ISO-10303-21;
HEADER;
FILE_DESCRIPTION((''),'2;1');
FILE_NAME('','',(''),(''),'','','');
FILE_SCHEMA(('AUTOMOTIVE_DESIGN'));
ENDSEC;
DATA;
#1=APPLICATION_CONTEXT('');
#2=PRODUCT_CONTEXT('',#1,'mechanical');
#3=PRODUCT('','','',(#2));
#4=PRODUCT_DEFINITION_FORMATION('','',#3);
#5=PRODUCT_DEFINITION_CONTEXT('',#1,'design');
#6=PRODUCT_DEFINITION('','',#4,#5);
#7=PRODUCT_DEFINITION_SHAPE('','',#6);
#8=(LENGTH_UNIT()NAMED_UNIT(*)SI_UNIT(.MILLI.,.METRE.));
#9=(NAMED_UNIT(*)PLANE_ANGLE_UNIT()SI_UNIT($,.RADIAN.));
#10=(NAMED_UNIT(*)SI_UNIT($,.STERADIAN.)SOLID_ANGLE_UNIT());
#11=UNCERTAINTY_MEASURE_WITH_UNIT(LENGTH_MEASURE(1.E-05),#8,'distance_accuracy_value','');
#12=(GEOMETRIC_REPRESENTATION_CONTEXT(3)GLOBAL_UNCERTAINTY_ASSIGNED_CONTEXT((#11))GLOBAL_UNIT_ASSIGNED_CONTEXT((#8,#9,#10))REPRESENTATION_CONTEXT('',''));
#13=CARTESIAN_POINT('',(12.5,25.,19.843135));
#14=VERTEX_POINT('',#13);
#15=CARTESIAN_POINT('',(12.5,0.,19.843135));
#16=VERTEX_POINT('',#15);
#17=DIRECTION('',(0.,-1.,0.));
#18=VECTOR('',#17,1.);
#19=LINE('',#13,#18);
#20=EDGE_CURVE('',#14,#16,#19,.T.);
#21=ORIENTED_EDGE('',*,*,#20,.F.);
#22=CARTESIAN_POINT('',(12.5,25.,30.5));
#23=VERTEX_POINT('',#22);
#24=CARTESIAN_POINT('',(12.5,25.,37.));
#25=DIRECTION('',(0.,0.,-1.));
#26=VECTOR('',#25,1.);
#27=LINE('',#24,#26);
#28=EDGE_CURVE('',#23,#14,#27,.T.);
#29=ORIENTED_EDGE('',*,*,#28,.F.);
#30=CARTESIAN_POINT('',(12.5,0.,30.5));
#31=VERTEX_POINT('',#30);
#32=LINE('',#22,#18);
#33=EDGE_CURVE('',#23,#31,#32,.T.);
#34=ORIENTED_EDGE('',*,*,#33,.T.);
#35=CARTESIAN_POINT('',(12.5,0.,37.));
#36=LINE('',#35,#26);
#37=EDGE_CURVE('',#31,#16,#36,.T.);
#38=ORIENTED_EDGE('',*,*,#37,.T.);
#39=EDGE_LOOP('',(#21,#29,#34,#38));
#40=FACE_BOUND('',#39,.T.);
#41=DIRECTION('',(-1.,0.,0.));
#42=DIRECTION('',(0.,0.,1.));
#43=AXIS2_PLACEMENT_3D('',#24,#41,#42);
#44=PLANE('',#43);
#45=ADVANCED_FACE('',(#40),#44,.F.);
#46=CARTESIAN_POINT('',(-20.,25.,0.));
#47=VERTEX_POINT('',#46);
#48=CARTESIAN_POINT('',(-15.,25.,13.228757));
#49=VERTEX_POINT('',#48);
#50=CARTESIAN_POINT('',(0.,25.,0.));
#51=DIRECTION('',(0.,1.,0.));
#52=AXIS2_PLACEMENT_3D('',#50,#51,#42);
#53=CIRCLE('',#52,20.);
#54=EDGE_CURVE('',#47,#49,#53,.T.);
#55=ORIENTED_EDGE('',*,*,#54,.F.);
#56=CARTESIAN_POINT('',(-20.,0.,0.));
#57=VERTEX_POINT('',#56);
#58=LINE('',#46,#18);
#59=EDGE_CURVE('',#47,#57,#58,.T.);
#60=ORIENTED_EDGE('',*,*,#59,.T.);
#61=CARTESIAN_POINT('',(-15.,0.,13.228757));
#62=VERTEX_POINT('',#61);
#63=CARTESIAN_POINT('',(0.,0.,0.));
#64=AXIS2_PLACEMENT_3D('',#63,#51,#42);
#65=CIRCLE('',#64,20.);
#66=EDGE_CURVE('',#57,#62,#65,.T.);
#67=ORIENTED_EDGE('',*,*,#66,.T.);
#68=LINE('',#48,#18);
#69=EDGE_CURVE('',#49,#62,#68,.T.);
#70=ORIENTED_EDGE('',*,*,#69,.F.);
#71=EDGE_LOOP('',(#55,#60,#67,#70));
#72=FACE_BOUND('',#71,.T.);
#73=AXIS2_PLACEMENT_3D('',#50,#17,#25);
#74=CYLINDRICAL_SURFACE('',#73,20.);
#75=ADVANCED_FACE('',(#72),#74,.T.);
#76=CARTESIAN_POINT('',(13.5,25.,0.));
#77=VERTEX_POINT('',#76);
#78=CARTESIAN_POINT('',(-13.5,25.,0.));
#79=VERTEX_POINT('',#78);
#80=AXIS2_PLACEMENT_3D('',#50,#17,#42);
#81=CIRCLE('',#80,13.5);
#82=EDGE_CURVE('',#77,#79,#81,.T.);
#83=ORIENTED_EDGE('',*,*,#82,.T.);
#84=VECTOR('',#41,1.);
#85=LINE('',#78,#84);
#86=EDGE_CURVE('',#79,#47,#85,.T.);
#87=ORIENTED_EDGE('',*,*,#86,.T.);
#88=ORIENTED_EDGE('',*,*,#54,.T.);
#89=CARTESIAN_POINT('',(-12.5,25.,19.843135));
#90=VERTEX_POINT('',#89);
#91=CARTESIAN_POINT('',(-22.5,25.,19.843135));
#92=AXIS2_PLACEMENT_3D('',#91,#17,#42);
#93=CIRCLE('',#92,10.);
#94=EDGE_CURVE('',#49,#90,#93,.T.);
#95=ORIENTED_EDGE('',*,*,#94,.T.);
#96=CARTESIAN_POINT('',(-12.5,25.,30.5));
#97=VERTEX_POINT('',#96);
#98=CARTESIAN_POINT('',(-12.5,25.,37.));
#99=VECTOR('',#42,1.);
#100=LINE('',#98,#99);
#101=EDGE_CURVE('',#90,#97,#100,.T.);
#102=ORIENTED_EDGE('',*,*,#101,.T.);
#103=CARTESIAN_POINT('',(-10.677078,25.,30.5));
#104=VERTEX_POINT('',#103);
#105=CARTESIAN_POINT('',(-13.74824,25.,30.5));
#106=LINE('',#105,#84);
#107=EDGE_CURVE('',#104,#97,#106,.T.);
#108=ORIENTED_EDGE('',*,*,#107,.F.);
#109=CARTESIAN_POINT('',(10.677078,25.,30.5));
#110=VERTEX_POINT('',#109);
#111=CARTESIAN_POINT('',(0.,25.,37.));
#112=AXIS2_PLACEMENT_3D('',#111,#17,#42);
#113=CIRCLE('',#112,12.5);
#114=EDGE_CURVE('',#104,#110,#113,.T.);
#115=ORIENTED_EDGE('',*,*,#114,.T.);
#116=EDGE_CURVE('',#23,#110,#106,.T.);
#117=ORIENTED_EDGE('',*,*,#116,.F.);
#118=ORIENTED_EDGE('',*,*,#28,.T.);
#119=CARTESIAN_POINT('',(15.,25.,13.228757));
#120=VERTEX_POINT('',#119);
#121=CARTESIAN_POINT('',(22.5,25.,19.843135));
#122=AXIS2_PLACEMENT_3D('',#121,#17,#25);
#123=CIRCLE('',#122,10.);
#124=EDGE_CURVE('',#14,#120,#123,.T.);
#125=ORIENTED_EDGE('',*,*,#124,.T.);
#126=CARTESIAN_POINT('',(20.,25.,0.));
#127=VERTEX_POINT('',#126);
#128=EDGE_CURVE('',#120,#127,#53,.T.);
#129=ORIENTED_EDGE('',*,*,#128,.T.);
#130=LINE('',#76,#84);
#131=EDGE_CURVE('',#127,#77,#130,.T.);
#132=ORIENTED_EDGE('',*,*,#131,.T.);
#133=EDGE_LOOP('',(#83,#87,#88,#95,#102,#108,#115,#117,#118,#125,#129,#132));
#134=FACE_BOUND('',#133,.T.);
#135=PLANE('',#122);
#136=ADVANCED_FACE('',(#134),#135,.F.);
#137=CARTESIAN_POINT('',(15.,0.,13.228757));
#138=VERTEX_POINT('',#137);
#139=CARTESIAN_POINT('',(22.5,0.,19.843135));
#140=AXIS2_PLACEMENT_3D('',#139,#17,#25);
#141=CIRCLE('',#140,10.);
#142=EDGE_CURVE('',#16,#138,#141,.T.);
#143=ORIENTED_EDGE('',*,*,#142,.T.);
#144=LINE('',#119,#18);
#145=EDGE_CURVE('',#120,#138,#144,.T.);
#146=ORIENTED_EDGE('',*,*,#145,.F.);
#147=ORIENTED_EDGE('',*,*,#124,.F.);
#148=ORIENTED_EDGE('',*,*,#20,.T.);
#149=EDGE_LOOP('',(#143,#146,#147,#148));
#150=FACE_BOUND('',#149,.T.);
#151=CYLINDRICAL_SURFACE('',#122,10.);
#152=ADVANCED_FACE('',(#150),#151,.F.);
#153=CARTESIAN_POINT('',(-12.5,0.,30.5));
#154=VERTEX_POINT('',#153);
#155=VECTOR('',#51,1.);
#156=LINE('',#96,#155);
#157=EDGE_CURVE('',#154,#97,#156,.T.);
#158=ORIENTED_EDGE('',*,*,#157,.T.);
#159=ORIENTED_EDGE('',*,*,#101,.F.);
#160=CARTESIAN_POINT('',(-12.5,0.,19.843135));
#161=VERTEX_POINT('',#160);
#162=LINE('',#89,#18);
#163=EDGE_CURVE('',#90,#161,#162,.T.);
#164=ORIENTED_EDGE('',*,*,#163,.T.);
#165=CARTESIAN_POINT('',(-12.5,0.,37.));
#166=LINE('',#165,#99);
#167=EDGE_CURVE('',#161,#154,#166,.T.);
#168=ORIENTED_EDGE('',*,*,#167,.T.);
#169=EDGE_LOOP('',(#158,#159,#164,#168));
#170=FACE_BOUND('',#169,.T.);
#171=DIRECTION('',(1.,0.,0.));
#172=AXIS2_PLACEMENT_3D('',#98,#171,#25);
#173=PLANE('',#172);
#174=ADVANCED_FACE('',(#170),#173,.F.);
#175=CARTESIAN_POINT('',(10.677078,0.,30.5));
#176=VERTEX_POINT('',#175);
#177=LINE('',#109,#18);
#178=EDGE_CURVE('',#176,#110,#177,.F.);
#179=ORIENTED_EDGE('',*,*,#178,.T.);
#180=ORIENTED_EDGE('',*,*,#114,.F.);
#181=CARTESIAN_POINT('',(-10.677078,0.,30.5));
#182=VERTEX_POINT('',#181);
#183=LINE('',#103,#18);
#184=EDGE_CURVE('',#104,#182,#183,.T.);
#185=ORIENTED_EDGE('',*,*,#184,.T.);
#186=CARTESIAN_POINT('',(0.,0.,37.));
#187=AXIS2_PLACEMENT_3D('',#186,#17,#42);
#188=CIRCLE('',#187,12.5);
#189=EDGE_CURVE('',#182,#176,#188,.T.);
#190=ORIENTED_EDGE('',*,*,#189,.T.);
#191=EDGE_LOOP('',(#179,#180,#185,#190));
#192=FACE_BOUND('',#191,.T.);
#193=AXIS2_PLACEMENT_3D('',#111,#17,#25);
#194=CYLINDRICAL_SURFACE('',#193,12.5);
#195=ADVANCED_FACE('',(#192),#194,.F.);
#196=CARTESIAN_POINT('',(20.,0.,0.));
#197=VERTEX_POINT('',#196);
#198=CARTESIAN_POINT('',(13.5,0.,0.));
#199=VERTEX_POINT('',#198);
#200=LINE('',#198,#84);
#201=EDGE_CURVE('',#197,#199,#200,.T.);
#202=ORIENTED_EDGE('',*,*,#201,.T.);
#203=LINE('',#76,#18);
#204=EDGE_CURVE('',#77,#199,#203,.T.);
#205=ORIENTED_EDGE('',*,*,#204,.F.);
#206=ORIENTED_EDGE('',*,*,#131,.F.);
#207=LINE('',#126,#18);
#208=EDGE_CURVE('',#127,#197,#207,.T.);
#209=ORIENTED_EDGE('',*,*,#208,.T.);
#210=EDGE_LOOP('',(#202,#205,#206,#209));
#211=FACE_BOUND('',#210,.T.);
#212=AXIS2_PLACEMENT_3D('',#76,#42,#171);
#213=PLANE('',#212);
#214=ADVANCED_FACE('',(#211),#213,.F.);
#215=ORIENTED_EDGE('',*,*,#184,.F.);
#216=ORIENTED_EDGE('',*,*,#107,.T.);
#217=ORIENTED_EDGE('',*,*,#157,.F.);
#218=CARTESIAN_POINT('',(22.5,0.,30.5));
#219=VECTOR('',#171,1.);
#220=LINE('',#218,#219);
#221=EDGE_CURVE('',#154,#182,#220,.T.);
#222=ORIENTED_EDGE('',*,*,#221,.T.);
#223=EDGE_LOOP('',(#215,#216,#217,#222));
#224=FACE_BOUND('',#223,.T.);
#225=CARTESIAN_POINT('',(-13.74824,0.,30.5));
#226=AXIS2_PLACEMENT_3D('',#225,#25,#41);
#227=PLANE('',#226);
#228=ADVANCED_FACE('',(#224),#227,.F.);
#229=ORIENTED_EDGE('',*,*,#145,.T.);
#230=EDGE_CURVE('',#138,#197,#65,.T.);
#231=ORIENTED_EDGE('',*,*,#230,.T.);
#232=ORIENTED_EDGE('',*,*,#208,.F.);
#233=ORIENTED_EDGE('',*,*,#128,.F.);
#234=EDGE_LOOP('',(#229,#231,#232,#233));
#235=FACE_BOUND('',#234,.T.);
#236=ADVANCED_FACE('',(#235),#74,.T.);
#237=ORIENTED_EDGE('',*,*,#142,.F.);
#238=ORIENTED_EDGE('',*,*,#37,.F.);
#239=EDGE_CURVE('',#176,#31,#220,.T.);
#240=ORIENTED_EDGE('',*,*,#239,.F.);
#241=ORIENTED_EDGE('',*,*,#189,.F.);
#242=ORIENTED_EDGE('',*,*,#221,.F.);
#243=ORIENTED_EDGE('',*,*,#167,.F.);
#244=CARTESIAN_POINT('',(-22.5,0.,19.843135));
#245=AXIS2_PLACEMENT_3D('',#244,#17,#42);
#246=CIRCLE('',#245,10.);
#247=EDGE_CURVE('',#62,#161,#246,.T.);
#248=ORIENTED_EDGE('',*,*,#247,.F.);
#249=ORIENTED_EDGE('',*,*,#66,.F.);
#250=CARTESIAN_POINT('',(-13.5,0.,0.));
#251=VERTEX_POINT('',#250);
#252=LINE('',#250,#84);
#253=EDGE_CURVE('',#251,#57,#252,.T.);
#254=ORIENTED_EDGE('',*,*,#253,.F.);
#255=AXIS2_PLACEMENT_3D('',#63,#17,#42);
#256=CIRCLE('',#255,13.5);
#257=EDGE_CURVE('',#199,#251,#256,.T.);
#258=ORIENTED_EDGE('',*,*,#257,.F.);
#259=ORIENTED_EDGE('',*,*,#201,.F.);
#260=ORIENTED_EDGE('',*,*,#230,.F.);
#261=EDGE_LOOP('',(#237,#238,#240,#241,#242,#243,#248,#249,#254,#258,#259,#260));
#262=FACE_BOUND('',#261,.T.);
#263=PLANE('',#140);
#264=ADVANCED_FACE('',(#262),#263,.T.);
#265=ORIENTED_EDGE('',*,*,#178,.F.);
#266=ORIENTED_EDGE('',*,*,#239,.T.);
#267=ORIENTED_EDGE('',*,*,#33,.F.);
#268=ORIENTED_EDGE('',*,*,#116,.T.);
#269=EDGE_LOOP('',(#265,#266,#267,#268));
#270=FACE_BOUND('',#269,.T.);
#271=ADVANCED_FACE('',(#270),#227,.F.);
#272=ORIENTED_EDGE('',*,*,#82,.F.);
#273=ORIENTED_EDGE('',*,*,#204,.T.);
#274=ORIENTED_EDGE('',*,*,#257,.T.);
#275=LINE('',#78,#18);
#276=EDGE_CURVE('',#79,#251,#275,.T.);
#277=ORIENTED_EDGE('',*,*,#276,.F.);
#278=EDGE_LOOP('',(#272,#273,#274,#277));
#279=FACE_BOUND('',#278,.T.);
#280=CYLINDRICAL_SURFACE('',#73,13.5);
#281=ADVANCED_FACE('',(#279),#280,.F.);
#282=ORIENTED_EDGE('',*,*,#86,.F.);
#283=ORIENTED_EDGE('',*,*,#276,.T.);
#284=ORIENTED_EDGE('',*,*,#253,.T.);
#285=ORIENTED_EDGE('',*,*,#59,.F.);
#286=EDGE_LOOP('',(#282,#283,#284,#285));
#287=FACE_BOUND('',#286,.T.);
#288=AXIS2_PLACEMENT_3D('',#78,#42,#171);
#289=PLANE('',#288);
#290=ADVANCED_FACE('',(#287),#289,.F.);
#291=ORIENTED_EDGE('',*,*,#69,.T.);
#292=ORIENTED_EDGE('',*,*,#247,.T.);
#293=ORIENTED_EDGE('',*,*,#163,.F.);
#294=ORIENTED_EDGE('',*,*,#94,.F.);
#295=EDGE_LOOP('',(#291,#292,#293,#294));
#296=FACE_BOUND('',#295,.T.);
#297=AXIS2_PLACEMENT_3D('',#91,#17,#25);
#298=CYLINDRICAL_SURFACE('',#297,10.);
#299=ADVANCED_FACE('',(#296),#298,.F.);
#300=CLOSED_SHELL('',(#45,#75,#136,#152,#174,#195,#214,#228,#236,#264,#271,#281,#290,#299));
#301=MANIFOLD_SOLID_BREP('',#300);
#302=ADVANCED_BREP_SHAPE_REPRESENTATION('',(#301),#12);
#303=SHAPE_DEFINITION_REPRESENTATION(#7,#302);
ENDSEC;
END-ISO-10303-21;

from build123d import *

# Parameters (mm, degrees)
EXTRUDE_1_DEPTH     = 25
SKETCH_2_W          = 28.626473145
SKETCH_2_H          = 10
CUT_EXTRUDE_1_DEPTH = 49.928519291


with BuildPart() as part:
    # Эскиз1 → Бобышка-Вытянуть1 (new body)
    with BuildSketch(Plane(origin=(0, 0, 0), x_dir=(1, 0, 0), z_dir=(0, 1, 0))):
        with BuildLine():
            Line((-12.5, -37), (-12.5, -19.843134833))
            ThreePointArc((-12.5, -19.843134833), (-13.145856533, -16.307600927), (-15, -13.228756555))
            ThreePointArc((-15, -13.228756555), (-18.708286934, -7.071067812), (-20, 0))
            Line((-20, 0), (-13.5, 0))
            ThreePointArc((-13.5, 0), (0, -13.5), (13.5, 0))
            Line((13.5, 0), (20, 0))
            ThreePointArc((20, 0), (18.708286934, -7.071067812), (15, -13.228756555))
            ThreePointArc((15, -13.228756555), (13.145856533, -16.307600927), (12.5, -19.843134833))
            Line((12.5, -19.843134833), (12.5, -37))
            ThreePointArc((12.5, -37), (0, -24.5), (-12.5, -37))
        make_face()
    extrude(amount=EXTRUDE_1_DEPTH)

    # Эскиз2 → Вырез-Вытянуть1 (cut, through all)
    with BuildSketch(Plane(origin=(0, 25, 0), x_dir=(1, 0, 0), z_dir=(0, 1, 0))):
        with Locations((0.56499618, -35.5)):
            Rectangle(SKETCH_2_W, SKETCH_2_H)
    extrude(amount=-CUT_EXTRUDE_1_DEPTH, mode=Mode.SUBTRACT)


solid = part.part
